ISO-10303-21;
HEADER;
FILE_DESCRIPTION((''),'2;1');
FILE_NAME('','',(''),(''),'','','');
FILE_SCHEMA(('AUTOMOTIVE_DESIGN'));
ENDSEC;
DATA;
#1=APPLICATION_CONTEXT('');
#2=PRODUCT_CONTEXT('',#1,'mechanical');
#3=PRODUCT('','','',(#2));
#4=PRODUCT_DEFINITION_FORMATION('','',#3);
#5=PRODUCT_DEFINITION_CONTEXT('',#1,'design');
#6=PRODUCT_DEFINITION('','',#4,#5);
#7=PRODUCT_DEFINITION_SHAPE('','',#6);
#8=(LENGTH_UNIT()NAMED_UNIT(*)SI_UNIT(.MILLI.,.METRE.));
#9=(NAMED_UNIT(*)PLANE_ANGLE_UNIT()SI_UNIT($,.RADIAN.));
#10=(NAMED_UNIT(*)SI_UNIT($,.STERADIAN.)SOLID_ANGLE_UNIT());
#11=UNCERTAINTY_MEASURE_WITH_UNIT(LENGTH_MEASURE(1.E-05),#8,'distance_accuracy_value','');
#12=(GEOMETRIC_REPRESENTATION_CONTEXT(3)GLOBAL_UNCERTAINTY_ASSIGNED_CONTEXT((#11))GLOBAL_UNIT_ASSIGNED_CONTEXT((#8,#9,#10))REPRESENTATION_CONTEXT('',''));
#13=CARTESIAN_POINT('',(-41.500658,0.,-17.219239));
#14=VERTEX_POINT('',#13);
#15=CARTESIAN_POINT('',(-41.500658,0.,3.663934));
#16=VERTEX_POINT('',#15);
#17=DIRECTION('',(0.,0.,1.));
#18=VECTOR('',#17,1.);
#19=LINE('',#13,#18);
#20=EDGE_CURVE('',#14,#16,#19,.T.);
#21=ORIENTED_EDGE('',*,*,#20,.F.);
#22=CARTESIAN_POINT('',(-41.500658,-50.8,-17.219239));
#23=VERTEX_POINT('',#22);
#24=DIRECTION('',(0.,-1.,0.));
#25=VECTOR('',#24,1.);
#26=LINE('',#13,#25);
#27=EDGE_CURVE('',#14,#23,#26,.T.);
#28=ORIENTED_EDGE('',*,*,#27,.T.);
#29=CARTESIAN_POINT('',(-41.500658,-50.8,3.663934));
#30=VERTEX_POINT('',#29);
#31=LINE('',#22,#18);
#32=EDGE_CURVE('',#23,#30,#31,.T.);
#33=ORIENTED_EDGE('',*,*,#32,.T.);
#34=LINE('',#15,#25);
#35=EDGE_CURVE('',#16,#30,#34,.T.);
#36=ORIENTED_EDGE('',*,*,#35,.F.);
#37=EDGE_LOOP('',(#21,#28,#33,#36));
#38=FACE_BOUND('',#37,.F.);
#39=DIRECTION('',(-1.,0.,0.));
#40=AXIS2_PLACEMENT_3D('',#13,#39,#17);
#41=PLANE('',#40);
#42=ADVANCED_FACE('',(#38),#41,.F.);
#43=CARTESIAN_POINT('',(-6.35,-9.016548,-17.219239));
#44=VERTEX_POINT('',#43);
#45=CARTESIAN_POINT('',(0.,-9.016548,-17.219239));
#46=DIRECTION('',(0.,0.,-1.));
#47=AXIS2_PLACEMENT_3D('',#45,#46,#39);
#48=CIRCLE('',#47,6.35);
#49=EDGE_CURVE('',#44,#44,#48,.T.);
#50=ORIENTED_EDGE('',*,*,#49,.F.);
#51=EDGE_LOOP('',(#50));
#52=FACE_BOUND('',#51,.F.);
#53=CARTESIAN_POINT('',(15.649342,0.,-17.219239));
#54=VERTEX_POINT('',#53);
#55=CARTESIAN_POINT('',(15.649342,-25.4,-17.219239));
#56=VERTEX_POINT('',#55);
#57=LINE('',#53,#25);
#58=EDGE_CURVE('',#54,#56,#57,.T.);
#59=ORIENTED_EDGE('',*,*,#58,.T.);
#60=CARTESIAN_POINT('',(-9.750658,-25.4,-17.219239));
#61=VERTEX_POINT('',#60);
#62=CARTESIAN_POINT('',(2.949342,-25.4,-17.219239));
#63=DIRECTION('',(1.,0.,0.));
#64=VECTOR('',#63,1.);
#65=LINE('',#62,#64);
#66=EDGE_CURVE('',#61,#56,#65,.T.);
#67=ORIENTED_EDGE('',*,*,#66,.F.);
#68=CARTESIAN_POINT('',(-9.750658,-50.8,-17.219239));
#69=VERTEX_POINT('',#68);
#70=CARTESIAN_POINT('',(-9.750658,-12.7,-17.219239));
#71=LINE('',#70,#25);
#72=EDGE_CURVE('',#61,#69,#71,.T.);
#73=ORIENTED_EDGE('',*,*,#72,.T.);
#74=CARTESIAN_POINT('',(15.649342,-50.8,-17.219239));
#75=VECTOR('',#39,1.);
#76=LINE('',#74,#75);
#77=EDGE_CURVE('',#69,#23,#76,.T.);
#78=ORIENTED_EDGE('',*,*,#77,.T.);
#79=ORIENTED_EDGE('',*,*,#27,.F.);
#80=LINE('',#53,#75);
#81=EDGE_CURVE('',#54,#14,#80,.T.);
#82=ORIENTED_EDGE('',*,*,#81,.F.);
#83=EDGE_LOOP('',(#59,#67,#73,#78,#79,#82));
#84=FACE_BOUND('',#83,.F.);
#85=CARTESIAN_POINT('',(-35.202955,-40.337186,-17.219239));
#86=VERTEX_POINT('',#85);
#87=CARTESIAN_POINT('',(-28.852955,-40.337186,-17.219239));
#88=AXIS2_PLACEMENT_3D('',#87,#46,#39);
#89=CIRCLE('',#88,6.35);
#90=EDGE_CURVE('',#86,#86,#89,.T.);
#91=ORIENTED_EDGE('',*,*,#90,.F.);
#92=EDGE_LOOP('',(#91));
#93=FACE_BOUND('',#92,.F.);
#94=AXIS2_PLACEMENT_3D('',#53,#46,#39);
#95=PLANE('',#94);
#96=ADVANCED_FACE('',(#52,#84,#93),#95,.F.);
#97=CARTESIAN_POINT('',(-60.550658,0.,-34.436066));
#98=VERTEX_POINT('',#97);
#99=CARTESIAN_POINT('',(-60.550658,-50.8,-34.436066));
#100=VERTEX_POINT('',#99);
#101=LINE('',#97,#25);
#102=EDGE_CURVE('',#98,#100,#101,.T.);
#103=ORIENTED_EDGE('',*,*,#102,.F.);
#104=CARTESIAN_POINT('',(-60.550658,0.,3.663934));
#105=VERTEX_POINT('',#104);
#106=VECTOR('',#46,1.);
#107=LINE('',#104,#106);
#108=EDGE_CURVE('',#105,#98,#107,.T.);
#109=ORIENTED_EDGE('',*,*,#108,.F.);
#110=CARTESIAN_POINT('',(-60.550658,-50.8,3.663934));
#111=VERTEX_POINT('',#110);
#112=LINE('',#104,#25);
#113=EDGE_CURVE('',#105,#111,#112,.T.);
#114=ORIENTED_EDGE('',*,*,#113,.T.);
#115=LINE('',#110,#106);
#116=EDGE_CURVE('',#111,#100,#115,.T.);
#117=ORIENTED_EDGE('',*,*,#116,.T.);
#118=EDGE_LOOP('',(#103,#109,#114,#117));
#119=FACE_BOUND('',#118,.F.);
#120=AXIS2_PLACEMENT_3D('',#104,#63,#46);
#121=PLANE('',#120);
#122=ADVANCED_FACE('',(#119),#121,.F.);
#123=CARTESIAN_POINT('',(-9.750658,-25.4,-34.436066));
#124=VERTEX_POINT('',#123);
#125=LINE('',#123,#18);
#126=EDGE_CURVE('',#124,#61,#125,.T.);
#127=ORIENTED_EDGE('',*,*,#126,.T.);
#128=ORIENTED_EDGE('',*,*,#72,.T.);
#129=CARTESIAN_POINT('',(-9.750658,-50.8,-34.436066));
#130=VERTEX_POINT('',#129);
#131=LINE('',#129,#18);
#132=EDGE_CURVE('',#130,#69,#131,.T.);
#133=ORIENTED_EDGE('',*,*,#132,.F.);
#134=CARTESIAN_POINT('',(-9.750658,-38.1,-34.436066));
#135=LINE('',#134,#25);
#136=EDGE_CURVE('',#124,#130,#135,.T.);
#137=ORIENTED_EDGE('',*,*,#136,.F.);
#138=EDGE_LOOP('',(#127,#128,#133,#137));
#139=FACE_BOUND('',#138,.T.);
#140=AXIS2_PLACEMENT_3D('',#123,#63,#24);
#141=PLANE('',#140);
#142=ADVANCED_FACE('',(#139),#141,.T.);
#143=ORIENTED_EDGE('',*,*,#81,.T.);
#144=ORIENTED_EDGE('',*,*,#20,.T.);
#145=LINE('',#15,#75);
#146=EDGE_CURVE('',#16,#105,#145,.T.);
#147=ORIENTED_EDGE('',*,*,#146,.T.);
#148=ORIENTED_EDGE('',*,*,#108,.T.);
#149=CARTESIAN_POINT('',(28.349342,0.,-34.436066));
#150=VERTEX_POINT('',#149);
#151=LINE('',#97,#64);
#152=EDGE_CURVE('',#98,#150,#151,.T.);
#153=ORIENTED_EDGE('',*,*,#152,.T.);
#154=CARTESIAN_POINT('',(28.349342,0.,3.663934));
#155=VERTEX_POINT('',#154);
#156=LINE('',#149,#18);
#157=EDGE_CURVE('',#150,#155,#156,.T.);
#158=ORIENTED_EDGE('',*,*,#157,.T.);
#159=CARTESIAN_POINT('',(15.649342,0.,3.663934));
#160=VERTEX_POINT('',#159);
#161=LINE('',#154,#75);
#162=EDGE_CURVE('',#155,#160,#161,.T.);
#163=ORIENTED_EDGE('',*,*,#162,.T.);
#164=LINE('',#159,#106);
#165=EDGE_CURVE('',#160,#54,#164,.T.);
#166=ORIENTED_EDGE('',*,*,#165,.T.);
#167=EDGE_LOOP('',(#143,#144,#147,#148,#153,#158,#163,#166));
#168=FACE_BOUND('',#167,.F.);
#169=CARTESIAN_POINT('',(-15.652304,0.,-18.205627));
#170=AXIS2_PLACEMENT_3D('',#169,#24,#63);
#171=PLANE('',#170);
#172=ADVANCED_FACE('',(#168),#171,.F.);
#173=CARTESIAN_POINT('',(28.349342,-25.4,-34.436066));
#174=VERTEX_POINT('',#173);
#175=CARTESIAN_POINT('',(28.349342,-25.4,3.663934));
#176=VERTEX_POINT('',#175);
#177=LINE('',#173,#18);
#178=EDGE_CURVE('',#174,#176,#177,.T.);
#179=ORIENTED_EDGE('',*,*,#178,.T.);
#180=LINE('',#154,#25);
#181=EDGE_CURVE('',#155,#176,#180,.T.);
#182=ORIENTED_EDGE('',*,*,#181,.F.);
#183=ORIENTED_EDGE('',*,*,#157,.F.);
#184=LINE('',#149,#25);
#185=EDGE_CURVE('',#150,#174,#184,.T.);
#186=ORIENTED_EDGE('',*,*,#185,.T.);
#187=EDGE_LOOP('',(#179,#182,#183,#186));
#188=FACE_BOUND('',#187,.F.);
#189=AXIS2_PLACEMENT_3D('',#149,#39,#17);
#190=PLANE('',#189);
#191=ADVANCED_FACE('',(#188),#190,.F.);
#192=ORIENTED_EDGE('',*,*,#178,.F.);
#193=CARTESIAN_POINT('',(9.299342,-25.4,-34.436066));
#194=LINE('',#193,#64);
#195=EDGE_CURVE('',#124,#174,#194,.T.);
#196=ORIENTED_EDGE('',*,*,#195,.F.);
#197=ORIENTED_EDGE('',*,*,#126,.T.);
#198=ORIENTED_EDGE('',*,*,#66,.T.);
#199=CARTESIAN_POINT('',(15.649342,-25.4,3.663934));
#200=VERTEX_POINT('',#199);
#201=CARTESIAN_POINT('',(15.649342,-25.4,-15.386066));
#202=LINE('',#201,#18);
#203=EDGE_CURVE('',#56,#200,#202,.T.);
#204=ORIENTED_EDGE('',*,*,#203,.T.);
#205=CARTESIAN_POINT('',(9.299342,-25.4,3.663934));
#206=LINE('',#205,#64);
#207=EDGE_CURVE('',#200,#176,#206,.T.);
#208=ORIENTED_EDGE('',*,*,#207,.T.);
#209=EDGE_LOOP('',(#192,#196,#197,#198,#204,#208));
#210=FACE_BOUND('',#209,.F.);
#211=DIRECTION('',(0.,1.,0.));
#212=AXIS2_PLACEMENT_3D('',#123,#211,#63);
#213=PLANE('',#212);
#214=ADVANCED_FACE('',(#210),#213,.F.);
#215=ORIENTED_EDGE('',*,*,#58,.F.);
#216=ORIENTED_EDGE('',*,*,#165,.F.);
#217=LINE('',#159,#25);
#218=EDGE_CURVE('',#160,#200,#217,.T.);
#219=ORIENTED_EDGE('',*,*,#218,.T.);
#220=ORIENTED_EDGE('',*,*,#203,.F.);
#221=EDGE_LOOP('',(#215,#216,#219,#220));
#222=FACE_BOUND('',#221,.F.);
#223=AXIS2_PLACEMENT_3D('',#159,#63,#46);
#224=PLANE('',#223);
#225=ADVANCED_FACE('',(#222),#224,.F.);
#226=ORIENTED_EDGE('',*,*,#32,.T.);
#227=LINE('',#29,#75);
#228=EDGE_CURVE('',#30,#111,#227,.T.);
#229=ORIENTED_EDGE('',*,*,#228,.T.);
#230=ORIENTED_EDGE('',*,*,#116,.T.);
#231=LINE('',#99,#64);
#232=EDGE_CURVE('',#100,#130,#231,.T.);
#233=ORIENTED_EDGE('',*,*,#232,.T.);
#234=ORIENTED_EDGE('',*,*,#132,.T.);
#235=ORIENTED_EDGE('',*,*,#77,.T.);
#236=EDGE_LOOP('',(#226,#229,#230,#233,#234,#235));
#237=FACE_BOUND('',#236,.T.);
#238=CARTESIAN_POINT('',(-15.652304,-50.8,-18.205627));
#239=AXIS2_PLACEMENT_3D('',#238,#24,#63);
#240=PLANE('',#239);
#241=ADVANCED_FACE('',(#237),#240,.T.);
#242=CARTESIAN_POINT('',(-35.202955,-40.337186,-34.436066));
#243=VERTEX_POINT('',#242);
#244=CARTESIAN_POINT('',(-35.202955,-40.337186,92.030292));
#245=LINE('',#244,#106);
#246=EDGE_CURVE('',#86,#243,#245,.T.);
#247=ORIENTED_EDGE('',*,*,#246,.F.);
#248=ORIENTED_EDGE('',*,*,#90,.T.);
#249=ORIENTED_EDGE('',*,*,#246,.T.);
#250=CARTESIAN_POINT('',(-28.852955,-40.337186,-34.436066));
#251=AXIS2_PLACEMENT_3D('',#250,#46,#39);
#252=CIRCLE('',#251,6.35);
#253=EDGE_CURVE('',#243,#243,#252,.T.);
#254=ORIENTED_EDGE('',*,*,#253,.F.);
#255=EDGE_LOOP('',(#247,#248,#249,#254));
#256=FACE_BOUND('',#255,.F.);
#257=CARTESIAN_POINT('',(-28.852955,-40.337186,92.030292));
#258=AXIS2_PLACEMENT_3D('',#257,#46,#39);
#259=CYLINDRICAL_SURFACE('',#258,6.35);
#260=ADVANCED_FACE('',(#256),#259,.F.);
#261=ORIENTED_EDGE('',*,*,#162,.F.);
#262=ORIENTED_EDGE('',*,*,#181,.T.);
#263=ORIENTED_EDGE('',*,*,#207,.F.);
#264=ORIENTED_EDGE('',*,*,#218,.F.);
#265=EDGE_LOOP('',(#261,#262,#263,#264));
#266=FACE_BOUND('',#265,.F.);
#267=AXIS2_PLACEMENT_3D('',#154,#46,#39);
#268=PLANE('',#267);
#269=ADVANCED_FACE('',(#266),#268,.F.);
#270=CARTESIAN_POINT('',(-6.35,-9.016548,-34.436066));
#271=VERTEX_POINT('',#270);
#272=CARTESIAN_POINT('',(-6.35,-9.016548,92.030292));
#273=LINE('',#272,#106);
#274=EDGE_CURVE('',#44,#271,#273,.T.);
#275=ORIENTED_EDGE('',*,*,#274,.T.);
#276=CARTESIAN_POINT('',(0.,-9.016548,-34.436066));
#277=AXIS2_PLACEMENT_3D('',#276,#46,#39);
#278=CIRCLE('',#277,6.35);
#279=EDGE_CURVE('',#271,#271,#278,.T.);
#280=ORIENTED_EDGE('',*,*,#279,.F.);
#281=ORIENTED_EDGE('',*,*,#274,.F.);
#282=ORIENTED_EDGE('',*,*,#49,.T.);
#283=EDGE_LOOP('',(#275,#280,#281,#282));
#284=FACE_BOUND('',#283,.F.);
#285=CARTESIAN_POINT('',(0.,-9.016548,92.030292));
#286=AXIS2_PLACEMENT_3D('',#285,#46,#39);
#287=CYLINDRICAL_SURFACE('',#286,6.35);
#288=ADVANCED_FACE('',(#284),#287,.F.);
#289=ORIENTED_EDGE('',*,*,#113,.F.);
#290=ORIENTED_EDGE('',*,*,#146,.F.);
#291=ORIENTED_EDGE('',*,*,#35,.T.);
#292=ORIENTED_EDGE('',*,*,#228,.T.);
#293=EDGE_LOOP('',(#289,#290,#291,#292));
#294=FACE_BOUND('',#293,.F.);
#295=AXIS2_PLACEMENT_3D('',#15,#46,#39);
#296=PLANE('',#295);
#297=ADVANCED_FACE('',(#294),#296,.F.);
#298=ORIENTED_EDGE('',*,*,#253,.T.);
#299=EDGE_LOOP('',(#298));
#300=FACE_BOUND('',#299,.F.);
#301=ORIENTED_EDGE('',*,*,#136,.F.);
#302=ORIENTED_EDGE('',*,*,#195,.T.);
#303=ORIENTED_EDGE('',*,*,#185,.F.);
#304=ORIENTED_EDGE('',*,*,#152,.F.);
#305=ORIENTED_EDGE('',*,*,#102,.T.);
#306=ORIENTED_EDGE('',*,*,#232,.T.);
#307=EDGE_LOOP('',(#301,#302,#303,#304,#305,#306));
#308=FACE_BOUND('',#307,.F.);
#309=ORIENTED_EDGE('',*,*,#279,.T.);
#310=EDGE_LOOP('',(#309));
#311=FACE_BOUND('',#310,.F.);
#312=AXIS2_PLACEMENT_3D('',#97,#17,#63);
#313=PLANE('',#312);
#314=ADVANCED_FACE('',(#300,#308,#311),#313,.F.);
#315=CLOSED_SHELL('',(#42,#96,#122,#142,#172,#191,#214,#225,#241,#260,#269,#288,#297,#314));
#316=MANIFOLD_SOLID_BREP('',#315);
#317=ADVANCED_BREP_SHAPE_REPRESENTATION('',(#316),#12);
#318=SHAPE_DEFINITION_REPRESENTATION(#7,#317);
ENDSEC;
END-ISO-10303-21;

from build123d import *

# Parameters (mm, degrees)
F1_DEPTH = 50.8
F2_W     = 38.1
F2_H     = 25.4
F3_DEPTH = 38.101
F5_D     = 12.7


with BuildPart() as f1:
    # F0 (on Front) → F1 (new body)
    with BuildSketch(Plane.XZ):
        Polygon((-41.500658, 3.663934), (-60.550658, 3.663934), (-60.550658, -34.436066), (28.349342, -34.436066), (28.349342, 3.663934), (15.649342, 3.663934), (15.649342, -17.219239), (-41.500658, -17.219239), align=None)
    extrude(amount=F1_DEPTH)

    # F2 (on face) → F3 (cut, through all)
    with BuildSketch(Plane(origin=(0, 0, -34.436066), x_dir=(1, 0, 0), z_dir=(0, 0, -1))):
        with Locations((9.299342, 38.1)):
            Rectangle(F2_W, F2_H)
    extrude(amount=-F3_DEPTH, mode=Mode.SUBTRACT)

    # F5 (through all)
    with Locations(Plane.XY.offset(-17.219239)):
        with Locations((-28.852955, -40.337186), (0, -9.016548)):
            Hole(F5_D / 2)


solid = f1.part
